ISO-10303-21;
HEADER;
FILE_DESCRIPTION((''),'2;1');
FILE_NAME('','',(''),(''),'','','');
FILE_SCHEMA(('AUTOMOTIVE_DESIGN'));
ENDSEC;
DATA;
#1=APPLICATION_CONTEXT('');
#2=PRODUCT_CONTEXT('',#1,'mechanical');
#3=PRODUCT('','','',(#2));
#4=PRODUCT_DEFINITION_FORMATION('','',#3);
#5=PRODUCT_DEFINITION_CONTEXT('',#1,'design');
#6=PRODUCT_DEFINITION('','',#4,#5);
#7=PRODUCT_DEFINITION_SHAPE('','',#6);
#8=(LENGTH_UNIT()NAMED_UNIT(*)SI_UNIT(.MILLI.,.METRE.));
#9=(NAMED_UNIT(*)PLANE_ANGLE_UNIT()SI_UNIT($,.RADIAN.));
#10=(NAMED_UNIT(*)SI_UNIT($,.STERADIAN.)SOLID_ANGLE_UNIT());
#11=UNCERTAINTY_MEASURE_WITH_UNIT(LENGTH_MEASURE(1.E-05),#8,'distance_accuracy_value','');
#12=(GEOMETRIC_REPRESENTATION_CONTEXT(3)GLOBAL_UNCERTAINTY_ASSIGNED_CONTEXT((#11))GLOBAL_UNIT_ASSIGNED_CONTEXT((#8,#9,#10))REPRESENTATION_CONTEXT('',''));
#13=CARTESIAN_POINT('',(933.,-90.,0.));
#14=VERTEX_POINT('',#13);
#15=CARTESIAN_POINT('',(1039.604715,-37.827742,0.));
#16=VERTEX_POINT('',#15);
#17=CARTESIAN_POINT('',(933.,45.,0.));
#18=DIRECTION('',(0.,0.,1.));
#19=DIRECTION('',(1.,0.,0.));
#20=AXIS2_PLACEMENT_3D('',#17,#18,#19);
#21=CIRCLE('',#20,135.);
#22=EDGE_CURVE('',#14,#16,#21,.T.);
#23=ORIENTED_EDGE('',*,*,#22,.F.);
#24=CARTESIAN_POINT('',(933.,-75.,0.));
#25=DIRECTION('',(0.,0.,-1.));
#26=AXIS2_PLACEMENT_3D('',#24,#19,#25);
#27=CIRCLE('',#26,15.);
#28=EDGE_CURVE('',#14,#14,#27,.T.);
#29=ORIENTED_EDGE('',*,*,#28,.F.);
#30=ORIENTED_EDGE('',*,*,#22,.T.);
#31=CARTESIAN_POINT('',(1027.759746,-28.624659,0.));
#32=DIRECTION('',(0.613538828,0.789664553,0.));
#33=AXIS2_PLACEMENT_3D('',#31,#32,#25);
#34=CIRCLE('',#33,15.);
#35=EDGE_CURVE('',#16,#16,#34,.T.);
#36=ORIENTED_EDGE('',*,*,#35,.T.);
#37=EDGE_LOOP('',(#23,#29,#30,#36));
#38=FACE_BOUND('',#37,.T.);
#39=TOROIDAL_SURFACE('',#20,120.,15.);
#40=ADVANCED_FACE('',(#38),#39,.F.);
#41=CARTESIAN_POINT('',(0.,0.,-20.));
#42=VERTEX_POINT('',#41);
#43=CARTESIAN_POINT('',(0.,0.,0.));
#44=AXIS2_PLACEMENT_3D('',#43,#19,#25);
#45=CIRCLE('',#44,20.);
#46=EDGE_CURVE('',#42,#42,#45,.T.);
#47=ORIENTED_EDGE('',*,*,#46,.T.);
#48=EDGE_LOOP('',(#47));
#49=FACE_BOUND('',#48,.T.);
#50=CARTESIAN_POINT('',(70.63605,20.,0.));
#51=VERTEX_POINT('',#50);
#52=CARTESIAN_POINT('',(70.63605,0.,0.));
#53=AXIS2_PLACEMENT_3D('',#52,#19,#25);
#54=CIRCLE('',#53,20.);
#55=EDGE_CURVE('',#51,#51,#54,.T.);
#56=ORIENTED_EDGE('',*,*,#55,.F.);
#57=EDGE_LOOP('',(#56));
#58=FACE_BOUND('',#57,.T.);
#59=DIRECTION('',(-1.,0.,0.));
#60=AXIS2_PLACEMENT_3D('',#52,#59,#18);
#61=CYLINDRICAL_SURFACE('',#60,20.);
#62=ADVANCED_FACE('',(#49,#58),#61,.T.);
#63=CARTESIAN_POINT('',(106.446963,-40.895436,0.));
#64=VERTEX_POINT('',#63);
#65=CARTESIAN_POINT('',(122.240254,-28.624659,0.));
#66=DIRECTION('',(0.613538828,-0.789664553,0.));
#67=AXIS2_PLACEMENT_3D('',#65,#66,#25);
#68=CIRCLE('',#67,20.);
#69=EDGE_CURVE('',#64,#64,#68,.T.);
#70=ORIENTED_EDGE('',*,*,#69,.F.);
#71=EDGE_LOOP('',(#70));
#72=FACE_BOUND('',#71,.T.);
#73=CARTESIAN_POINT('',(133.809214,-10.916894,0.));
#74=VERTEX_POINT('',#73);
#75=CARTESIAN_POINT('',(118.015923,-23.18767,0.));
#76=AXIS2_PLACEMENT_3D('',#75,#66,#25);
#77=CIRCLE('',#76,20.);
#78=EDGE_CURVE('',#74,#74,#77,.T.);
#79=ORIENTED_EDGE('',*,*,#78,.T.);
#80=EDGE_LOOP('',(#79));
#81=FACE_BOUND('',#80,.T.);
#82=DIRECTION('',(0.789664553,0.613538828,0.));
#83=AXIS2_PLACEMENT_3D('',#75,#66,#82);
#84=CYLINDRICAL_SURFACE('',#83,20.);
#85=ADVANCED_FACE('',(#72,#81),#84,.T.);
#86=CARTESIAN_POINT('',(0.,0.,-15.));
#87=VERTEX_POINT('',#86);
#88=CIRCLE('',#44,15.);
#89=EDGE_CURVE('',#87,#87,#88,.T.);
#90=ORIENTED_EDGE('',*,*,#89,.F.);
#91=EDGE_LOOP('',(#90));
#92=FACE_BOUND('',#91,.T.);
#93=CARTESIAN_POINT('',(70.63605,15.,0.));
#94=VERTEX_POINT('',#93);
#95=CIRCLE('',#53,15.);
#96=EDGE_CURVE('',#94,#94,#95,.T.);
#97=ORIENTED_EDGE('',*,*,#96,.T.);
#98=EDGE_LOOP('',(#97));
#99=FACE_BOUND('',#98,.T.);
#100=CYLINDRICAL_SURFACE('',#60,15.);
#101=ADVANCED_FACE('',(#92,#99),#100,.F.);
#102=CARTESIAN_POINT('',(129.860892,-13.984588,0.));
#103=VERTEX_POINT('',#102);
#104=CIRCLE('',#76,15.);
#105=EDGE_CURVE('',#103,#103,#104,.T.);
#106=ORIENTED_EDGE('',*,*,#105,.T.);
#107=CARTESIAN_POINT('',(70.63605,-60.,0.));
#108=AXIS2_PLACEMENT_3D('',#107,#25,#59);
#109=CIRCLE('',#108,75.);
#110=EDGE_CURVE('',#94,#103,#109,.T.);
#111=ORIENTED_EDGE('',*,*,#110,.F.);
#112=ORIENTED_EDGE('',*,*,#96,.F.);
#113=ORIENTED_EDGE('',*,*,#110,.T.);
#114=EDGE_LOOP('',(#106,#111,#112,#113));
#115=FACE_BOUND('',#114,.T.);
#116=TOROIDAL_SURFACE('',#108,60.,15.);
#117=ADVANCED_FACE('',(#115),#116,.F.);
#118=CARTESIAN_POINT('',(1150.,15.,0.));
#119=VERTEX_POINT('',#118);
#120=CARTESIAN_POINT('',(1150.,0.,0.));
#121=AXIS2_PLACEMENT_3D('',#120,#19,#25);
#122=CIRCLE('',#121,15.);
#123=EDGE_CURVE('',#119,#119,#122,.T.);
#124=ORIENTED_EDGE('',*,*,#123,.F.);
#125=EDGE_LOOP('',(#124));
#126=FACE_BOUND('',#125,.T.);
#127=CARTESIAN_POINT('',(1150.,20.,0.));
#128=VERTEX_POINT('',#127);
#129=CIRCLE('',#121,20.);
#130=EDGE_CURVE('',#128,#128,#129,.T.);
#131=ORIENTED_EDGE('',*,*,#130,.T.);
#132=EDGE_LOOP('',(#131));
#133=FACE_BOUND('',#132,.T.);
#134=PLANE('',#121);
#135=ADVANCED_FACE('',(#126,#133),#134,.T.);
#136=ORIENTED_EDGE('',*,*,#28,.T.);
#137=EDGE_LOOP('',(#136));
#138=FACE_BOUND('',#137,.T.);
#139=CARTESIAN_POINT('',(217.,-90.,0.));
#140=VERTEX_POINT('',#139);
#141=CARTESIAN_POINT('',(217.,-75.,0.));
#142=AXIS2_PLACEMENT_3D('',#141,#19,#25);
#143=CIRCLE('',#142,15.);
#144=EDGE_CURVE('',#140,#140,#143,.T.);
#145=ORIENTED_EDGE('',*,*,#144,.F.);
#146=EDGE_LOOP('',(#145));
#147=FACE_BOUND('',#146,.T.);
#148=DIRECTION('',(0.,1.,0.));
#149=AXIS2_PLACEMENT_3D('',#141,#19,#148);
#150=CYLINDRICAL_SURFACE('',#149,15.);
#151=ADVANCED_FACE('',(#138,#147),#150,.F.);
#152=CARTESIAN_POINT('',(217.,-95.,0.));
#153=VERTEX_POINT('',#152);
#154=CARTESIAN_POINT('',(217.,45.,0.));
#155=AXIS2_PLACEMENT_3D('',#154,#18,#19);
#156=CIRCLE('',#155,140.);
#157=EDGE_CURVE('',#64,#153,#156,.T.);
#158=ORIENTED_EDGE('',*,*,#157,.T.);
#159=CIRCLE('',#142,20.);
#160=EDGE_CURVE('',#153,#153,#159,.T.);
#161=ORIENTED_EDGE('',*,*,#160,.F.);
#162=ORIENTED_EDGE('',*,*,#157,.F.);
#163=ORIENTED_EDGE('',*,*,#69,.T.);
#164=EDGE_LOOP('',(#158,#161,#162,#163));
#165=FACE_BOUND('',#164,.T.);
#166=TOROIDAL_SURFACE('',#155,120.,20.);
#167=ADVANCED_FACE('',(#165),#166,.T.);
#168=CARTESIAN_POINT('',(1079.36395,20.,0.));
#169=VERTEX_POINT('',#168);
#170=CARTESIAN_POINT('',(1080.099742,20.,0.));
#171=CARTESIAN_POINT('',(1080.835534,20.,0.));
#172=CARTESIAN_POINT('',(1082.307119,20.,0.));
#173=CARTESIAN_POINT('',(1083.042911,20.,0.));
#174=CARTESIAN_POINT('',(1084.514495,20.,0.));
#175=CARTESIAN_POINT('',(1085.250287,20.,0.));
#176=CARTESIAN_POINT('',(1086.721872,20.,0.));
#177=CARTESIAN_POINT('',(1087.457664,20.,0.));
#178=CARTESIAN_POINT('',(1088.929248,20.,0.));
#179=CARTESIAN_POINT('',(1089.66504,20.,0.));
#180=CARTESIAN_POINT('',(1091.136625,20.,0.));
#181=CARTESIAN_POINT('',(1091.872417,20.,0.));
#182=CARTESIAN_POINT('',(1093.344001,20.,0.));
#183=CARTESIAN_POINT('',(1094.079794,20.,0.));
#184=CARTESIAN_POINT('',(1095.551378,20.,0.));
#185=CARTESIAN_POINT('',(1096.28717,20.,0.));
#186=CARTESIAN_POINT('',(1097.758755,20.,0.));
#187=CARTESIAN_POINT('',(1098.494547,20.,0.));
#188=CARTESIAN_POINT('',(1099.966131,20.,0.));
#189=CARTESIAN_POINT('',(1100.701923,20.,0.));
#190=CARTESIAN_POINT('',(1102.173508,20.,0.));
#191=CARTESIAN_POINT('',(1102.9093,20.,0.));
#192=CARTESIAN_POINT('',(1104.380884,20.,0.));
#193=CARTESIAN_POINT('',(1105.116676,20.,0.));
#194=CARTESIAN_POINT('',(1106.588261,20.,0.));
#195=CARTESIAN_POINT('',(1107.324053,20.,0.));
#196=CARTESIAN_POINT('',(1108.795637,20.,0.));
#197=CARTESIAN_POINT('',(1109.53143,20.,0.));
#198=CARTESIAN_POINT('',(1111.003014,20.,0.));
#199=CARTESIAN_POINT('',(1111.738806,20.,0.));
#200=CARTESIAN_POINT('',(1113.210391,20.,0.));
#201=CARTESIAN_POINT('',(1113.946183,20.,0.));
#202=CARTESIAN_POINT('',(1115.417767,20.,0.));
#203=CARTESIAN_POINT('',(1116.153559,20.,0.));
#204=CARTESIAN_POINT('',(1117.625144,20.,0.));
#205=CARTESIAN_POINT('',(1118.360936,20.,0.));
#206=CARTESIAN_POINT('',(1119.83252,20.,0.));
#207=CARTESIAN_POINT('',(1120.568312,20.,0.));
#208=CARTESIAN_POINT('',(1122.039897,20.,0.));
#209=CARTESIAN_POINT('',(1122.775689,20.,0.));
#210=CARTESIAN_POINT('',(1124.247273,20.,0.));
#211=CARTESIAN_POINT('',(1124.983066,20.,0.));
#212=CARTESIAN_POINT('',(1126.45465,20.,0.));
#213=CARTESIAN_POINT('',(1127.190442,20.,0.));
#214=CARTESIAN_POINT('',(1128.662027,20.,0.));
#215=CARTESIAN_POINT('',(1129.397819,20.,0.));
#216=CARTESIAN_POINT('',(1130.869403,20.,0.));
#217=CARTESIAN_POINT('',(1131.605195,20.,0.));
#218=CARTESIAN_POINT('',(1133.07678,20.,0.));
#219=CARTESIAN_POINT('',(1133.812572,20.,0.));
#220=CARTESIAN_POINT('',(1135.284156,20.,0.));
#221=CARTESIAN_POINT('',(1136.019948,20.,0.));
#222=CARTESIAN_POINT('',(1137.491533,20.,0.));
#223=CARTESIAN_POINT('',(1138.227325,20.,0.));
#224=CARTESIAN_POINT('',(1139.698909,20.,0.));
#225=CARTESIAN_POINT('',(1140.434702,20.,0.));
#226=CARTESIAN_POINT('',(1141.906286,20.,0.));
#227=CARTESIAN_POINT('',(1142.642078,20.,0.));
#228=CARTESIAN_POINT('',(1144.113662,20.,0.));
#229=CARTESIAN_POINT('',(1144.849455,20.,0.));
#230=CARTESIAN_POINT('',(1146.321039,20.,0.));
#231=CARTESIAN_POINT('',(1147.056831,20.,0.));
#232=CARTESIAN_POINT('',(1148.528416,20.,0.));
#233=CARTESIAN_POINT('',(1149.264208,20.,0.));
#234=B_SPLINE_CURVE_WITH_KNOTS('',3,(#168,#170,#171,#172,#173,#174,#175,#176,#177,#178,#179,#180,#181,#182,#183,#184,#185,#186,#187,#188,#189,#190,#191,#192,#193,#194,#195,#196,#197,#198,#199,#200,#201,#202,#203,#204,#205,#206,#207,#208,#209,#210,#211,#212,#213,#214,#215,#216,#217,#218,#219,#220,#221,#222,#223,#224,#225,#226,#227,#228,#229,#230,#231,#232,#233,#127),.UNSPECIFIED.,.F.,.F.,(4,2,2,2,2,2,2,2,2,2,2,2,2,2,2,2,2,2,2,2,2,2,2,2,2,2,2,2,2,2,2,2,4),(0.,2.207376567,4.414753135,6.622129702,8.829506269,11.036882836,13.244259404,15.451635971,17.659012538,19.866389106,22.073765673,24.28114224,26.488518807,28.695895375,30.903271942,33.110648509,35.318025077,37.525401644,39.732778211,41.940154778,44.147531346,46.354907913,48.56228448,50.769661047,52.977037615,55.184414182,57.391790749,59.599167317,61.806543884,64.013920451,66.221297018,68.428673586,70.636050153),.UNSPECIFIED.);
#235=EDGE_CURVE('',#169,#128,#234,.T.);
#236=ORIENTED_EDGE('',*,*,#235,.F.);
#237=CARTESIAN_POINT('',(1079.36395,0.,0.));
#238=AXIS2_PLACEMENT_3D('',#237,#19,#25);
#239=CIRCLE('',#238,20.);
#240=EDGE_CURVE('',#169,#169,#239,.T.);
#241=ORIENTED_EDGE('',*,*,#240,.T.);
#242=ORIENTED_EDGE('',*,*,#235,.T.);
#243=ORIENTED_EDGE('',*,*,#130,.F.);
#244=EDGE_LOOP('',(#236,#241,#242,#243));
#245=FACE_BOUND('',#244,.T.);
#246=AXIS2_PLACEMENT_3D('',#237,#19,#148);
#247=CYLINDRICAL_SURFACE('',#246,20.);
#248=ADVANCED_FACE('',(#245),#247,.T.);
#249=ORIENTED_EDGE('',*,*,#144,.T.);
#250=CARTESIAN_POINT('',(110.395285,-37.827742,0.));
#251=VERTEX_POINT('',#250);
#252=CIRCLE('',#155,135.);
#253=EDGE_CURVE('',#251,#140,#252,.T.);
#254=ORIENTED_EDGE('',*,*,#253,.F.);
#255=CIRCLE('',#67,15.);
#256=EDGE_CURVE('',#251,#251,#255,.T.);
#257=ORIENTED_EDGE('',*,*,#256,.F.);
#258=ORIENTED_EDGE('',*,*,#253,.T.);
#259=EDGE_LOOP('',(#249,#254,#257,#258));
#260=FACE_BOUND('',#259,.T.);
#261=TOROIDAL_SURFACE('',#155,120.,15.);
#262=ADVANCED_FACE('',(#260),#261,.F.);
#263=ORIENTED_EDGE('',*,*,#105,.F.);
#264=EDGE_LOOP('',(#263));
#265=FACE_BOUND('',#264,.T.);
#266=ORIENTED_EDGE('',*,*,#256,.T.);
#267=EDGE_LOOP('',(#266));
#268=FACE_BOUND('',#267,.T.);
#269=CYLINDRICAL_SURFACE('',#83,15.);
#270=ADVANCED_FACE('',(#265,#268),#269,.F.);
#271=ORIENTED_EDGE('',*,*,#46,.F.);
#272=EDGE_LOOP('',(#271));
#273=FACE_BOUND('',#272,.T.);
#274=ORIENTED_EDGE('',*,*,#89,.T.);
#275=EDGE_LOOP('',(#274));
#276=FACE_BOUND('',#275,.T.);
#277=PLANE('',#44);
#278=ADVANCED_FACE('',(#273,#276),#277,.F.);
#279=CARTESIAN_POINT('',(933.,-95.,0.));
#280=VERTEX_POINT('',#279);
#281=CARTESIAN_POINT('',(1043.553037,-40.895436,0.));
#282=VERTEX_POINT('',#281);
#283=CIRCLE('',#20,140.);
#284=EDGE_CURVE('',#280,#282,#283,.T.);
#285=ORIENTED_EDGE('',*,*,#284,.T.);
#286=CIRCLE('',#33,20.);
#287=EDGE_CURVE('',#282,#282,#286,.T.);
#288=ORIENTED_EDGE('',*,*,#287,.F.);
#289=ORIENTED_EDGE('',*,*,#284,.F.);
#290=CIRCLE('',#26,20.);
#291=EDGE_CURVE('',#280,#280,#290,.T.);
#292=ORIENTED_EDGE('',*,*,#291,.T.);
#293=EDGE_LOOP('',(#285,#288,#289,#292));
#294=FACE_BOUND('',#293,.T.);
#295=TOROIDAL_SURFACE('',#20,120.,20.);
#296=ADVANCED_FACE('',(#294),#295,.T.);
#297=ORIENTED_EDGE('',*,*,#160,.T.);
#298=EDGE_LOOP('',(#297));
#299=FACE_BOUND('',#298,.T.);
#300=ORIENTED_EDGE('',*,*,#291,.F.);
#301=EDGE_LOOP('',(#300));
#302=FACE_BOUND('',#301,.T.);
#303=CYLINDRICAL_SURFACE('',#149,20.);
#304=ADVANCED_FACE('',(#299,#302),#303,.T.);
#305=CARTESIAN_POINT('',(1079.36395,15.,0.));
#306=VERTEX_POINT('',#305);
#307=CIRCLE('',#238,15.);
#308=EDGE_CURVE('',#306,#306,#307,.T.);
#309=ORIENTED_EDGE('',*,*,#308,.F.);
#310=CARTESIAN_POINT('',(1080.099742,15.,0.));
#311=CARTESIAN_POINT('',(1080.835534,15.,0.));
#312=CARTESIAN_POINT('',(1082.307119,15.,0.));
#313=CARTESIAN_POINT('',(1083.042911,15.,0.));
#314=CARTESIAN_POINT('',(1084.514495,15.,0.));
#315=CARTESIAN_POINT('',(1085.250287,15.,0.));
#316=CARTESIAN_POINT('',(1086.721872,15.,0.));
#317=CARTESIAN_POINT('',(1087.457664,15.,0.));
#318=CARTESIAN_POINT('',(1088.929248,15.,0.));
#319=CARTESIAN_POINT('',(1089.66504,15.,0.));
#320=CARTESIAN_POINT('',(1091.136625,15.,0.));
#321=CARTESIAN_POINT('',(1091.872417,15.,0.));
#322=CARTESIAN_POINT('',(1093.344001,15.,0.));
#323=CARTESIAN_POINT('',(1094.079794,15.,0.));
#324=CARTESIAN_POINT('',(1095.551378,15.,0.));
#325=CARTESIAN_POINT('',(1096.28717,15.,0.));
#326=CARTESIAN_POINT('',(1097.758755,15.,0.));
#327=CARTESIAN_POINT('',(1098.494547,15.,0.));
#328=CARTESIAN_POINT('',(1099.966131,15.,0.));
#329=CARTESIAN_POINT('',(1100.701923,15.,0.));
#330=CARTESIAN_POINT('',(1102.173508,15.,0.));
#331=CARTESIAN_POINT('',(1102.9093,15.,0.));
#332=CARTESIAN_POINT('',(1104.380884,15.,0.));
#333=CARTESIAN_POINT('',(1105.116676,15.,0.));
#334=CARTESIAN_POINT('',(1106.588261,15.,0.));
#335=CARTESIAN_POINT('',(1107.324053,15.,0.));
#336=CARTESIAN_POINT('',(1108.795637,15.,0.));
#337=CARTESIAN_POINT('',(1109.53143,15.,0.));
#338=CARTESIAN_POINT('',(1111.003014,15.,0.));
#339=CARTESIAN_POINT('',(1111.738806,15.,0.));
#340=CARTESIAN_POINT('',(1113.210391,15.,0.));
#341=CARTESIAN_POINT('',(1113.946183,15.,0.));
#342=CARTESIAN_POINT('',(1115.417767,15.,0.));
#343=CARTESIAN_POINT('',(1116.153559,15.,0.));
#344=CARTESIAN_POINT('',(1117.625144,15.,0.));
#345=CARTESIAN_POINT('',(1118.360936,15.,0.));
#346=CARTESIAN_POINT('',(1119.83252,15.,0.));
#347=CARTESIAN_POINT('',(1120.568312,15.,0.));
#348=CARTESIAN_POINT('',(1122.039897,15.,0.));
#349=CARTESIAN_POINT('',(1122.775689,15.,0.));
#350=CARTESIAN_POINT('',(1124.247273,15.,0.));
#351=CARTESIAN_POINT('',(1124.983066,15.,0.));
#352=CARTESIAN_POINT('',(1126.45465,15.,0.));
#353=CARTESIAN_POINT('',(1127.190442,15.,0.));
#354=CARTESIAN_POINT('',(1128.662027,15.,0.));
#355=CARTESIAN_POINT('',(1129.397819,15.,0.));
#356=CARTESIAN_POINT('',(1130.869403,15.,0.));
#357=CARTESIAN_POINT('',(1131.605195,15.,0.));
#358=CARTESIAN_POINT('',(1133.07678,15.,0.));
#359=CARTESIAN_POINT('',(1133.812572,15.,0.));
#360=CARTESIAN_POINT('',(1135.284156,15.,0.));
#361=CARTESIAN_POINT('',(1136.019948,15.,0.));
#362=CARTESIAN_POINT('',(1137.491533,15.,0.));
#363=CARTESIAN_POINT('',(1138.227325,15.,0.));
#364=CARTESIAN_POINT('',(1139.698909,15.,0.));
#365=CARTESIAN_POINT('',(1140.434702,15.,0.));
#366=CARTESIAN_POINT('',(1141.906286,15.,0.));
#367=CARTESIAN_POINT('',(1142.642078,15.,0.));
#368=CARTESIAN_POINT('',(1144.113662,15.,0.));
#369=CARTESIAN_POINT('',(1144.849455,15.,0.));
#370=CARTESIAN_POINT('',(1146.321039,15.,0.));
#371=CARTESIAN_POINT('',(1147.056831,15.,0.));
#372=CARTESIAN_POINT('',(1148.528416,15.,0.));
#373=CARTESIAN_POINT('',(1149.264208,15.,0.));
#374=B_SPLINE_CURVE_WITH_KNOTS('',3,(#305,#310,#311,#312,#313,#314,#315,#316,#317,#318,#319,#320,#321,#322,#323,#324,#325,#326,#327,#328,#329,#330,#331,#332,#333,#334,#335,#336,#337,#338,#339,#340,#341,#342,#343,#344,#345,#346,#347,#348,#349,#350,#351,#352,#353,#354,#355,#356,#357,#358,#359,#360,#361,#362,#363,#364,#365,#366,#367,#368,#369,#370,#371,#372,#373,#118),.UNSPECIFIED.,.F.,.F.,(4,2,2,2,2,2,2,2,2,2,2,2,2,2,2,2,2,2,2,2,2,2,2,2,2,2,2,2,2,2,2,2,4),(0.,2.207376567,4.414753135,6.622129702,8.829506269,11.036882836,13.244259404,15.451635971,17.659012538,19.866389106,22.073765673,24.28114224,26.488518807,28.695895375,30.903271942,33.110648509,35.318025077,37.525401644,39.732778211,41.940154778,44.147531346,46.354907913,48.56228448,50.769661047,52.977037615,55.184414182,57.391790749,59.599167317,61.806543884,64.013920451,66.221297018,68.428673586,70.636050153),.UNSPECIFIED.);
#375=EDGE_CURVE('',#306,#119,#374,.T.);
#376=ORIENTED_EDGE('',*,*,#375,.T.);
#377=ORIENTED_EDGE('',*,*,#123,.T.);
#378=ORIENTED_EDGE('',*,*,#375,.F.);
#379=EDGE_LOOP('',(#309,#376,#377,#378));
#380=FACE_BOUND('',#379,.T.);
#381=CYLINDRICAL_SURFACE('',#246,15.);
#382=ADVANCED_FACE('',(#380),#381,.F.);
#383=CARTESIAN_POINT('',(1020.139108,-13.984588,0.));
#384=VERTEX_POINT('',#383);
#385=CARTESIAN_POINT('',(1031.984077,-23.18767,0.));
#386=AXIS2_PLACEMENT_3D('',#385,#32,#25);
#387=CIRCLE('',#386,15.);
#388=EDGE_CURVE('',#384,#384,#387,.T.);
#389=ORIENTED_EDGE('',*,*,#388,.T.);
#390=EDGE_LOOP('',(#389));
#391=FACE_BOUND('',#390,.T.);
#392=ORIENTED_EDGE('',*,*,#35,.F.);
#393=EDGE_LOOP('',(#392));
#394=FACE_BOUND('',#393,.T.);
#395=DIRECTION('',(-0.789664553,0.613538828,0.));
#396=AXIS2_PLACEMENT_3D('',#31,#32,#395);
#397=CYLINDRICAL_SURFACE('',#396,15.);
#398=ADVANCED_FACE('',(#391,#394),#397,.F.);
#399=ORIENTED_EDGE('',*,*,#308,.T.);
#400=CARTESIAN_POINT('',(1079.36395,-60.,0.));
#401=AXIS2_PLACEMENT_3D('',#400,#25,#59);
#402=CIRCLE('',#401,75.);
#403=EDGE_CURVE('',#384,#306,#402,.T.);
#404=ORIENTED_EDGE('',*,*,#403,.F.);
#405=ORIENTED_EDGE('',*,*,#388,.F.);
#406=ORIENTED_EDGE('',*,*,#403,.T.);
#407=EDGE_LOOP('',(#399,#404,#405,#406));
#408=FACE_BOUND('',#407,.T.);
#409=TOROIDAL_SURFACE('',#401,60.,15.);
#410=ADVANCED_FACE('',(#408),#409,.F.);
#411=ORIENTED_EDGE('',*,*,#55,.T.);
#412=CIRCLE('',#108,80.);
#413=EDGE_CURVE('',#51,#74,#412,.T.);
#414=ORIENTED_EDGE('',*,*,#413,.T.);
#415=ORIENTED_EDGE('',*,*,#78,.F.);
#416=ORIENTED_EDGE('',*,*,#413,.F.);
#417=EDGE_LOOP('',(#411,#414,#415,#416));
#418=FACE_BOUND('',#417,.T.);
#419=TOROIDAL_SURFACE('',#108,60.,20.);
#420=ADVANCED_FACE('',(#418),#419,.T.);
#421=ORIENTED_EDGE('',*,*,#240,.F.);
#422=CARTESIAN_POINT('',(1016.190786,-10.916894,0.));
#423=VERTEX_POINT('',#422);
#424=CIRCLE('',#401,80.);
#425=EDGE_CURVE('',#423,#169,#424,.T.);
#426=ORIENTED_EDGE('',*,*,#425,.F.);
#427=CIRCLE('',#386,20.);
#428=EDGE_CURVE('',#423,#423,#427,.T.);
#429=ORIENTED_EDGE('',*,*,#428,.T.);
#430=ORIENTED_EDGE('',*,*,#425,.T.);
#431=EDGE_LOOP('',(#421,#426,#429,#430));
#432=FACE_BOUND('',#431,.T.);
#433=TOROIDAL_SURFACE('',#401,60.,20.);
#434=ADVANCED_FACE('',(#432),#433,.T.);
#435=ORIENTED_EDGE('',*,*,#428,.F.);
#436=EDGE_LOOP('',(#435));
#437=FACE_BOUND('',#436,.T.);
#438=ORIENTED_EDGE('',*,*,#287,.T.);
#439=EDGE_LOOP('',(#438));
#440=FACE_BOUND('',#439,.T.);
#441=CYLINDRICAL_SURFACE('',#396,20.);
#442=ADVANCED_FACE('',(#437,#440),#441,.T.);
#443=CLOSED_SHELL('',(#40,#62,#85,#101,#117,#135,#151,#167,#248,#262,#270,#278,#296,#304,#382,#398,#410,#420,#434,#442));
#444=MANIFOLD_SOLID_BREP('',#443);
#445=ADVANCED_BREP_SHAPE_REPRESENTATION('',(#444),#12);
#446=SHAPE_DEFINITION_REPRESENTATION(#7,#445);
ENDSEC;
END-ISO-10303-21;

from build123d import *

# Parameters (mm, degrees)
SKETCH3_R   = 20
SKETCH3_R_2 = 15


with BuildPart() as part:
    # Sweep1: sweep along a path in Sketch2
    with BuildLine(Plane.XY) as sweep1_path:
        Line((0, 0), (70.636050153, 0))
        ThreePointArc((70.636050153, 0), (97.010850822, -6.107793795), (118.015923362, -23.187670345))
        Line((118.015923362, -23.187670345), (122.240253581, -28.624659311))
        ThreePointArc((122.240253581, -28.624659311), (164.250398662, -62.78441241), (217, -75))
        Line((217, -75), (933, -75))
        ThreePointArc((933, -75), (985.749601338, -62.78441241), (1027.759746419, -28.624659311))
        Line((1027.759746419, -28.624659311), (1031.984076638, -23.187670345))
        ThreePointArc((1031.984076638, -23.187670345), (1052.989149178, -6.107793795), (1079.363949847, 0))
        Line((1079.363949847, 0), (1150, 0))
    # Sketch3 → Sweep1 (sweep)
    with BuildSketch(Plane(origin=(0, 0, 0), x_dir=(0, 0, -1), z_dir=(1, 0, 0))):
        Circle(SKETCH3_R)
        Circle(SKETCH3_R_2, mode=Mode.SUBTRACT)
    sweep(path=sweep1_path.line)


solid = part.part
